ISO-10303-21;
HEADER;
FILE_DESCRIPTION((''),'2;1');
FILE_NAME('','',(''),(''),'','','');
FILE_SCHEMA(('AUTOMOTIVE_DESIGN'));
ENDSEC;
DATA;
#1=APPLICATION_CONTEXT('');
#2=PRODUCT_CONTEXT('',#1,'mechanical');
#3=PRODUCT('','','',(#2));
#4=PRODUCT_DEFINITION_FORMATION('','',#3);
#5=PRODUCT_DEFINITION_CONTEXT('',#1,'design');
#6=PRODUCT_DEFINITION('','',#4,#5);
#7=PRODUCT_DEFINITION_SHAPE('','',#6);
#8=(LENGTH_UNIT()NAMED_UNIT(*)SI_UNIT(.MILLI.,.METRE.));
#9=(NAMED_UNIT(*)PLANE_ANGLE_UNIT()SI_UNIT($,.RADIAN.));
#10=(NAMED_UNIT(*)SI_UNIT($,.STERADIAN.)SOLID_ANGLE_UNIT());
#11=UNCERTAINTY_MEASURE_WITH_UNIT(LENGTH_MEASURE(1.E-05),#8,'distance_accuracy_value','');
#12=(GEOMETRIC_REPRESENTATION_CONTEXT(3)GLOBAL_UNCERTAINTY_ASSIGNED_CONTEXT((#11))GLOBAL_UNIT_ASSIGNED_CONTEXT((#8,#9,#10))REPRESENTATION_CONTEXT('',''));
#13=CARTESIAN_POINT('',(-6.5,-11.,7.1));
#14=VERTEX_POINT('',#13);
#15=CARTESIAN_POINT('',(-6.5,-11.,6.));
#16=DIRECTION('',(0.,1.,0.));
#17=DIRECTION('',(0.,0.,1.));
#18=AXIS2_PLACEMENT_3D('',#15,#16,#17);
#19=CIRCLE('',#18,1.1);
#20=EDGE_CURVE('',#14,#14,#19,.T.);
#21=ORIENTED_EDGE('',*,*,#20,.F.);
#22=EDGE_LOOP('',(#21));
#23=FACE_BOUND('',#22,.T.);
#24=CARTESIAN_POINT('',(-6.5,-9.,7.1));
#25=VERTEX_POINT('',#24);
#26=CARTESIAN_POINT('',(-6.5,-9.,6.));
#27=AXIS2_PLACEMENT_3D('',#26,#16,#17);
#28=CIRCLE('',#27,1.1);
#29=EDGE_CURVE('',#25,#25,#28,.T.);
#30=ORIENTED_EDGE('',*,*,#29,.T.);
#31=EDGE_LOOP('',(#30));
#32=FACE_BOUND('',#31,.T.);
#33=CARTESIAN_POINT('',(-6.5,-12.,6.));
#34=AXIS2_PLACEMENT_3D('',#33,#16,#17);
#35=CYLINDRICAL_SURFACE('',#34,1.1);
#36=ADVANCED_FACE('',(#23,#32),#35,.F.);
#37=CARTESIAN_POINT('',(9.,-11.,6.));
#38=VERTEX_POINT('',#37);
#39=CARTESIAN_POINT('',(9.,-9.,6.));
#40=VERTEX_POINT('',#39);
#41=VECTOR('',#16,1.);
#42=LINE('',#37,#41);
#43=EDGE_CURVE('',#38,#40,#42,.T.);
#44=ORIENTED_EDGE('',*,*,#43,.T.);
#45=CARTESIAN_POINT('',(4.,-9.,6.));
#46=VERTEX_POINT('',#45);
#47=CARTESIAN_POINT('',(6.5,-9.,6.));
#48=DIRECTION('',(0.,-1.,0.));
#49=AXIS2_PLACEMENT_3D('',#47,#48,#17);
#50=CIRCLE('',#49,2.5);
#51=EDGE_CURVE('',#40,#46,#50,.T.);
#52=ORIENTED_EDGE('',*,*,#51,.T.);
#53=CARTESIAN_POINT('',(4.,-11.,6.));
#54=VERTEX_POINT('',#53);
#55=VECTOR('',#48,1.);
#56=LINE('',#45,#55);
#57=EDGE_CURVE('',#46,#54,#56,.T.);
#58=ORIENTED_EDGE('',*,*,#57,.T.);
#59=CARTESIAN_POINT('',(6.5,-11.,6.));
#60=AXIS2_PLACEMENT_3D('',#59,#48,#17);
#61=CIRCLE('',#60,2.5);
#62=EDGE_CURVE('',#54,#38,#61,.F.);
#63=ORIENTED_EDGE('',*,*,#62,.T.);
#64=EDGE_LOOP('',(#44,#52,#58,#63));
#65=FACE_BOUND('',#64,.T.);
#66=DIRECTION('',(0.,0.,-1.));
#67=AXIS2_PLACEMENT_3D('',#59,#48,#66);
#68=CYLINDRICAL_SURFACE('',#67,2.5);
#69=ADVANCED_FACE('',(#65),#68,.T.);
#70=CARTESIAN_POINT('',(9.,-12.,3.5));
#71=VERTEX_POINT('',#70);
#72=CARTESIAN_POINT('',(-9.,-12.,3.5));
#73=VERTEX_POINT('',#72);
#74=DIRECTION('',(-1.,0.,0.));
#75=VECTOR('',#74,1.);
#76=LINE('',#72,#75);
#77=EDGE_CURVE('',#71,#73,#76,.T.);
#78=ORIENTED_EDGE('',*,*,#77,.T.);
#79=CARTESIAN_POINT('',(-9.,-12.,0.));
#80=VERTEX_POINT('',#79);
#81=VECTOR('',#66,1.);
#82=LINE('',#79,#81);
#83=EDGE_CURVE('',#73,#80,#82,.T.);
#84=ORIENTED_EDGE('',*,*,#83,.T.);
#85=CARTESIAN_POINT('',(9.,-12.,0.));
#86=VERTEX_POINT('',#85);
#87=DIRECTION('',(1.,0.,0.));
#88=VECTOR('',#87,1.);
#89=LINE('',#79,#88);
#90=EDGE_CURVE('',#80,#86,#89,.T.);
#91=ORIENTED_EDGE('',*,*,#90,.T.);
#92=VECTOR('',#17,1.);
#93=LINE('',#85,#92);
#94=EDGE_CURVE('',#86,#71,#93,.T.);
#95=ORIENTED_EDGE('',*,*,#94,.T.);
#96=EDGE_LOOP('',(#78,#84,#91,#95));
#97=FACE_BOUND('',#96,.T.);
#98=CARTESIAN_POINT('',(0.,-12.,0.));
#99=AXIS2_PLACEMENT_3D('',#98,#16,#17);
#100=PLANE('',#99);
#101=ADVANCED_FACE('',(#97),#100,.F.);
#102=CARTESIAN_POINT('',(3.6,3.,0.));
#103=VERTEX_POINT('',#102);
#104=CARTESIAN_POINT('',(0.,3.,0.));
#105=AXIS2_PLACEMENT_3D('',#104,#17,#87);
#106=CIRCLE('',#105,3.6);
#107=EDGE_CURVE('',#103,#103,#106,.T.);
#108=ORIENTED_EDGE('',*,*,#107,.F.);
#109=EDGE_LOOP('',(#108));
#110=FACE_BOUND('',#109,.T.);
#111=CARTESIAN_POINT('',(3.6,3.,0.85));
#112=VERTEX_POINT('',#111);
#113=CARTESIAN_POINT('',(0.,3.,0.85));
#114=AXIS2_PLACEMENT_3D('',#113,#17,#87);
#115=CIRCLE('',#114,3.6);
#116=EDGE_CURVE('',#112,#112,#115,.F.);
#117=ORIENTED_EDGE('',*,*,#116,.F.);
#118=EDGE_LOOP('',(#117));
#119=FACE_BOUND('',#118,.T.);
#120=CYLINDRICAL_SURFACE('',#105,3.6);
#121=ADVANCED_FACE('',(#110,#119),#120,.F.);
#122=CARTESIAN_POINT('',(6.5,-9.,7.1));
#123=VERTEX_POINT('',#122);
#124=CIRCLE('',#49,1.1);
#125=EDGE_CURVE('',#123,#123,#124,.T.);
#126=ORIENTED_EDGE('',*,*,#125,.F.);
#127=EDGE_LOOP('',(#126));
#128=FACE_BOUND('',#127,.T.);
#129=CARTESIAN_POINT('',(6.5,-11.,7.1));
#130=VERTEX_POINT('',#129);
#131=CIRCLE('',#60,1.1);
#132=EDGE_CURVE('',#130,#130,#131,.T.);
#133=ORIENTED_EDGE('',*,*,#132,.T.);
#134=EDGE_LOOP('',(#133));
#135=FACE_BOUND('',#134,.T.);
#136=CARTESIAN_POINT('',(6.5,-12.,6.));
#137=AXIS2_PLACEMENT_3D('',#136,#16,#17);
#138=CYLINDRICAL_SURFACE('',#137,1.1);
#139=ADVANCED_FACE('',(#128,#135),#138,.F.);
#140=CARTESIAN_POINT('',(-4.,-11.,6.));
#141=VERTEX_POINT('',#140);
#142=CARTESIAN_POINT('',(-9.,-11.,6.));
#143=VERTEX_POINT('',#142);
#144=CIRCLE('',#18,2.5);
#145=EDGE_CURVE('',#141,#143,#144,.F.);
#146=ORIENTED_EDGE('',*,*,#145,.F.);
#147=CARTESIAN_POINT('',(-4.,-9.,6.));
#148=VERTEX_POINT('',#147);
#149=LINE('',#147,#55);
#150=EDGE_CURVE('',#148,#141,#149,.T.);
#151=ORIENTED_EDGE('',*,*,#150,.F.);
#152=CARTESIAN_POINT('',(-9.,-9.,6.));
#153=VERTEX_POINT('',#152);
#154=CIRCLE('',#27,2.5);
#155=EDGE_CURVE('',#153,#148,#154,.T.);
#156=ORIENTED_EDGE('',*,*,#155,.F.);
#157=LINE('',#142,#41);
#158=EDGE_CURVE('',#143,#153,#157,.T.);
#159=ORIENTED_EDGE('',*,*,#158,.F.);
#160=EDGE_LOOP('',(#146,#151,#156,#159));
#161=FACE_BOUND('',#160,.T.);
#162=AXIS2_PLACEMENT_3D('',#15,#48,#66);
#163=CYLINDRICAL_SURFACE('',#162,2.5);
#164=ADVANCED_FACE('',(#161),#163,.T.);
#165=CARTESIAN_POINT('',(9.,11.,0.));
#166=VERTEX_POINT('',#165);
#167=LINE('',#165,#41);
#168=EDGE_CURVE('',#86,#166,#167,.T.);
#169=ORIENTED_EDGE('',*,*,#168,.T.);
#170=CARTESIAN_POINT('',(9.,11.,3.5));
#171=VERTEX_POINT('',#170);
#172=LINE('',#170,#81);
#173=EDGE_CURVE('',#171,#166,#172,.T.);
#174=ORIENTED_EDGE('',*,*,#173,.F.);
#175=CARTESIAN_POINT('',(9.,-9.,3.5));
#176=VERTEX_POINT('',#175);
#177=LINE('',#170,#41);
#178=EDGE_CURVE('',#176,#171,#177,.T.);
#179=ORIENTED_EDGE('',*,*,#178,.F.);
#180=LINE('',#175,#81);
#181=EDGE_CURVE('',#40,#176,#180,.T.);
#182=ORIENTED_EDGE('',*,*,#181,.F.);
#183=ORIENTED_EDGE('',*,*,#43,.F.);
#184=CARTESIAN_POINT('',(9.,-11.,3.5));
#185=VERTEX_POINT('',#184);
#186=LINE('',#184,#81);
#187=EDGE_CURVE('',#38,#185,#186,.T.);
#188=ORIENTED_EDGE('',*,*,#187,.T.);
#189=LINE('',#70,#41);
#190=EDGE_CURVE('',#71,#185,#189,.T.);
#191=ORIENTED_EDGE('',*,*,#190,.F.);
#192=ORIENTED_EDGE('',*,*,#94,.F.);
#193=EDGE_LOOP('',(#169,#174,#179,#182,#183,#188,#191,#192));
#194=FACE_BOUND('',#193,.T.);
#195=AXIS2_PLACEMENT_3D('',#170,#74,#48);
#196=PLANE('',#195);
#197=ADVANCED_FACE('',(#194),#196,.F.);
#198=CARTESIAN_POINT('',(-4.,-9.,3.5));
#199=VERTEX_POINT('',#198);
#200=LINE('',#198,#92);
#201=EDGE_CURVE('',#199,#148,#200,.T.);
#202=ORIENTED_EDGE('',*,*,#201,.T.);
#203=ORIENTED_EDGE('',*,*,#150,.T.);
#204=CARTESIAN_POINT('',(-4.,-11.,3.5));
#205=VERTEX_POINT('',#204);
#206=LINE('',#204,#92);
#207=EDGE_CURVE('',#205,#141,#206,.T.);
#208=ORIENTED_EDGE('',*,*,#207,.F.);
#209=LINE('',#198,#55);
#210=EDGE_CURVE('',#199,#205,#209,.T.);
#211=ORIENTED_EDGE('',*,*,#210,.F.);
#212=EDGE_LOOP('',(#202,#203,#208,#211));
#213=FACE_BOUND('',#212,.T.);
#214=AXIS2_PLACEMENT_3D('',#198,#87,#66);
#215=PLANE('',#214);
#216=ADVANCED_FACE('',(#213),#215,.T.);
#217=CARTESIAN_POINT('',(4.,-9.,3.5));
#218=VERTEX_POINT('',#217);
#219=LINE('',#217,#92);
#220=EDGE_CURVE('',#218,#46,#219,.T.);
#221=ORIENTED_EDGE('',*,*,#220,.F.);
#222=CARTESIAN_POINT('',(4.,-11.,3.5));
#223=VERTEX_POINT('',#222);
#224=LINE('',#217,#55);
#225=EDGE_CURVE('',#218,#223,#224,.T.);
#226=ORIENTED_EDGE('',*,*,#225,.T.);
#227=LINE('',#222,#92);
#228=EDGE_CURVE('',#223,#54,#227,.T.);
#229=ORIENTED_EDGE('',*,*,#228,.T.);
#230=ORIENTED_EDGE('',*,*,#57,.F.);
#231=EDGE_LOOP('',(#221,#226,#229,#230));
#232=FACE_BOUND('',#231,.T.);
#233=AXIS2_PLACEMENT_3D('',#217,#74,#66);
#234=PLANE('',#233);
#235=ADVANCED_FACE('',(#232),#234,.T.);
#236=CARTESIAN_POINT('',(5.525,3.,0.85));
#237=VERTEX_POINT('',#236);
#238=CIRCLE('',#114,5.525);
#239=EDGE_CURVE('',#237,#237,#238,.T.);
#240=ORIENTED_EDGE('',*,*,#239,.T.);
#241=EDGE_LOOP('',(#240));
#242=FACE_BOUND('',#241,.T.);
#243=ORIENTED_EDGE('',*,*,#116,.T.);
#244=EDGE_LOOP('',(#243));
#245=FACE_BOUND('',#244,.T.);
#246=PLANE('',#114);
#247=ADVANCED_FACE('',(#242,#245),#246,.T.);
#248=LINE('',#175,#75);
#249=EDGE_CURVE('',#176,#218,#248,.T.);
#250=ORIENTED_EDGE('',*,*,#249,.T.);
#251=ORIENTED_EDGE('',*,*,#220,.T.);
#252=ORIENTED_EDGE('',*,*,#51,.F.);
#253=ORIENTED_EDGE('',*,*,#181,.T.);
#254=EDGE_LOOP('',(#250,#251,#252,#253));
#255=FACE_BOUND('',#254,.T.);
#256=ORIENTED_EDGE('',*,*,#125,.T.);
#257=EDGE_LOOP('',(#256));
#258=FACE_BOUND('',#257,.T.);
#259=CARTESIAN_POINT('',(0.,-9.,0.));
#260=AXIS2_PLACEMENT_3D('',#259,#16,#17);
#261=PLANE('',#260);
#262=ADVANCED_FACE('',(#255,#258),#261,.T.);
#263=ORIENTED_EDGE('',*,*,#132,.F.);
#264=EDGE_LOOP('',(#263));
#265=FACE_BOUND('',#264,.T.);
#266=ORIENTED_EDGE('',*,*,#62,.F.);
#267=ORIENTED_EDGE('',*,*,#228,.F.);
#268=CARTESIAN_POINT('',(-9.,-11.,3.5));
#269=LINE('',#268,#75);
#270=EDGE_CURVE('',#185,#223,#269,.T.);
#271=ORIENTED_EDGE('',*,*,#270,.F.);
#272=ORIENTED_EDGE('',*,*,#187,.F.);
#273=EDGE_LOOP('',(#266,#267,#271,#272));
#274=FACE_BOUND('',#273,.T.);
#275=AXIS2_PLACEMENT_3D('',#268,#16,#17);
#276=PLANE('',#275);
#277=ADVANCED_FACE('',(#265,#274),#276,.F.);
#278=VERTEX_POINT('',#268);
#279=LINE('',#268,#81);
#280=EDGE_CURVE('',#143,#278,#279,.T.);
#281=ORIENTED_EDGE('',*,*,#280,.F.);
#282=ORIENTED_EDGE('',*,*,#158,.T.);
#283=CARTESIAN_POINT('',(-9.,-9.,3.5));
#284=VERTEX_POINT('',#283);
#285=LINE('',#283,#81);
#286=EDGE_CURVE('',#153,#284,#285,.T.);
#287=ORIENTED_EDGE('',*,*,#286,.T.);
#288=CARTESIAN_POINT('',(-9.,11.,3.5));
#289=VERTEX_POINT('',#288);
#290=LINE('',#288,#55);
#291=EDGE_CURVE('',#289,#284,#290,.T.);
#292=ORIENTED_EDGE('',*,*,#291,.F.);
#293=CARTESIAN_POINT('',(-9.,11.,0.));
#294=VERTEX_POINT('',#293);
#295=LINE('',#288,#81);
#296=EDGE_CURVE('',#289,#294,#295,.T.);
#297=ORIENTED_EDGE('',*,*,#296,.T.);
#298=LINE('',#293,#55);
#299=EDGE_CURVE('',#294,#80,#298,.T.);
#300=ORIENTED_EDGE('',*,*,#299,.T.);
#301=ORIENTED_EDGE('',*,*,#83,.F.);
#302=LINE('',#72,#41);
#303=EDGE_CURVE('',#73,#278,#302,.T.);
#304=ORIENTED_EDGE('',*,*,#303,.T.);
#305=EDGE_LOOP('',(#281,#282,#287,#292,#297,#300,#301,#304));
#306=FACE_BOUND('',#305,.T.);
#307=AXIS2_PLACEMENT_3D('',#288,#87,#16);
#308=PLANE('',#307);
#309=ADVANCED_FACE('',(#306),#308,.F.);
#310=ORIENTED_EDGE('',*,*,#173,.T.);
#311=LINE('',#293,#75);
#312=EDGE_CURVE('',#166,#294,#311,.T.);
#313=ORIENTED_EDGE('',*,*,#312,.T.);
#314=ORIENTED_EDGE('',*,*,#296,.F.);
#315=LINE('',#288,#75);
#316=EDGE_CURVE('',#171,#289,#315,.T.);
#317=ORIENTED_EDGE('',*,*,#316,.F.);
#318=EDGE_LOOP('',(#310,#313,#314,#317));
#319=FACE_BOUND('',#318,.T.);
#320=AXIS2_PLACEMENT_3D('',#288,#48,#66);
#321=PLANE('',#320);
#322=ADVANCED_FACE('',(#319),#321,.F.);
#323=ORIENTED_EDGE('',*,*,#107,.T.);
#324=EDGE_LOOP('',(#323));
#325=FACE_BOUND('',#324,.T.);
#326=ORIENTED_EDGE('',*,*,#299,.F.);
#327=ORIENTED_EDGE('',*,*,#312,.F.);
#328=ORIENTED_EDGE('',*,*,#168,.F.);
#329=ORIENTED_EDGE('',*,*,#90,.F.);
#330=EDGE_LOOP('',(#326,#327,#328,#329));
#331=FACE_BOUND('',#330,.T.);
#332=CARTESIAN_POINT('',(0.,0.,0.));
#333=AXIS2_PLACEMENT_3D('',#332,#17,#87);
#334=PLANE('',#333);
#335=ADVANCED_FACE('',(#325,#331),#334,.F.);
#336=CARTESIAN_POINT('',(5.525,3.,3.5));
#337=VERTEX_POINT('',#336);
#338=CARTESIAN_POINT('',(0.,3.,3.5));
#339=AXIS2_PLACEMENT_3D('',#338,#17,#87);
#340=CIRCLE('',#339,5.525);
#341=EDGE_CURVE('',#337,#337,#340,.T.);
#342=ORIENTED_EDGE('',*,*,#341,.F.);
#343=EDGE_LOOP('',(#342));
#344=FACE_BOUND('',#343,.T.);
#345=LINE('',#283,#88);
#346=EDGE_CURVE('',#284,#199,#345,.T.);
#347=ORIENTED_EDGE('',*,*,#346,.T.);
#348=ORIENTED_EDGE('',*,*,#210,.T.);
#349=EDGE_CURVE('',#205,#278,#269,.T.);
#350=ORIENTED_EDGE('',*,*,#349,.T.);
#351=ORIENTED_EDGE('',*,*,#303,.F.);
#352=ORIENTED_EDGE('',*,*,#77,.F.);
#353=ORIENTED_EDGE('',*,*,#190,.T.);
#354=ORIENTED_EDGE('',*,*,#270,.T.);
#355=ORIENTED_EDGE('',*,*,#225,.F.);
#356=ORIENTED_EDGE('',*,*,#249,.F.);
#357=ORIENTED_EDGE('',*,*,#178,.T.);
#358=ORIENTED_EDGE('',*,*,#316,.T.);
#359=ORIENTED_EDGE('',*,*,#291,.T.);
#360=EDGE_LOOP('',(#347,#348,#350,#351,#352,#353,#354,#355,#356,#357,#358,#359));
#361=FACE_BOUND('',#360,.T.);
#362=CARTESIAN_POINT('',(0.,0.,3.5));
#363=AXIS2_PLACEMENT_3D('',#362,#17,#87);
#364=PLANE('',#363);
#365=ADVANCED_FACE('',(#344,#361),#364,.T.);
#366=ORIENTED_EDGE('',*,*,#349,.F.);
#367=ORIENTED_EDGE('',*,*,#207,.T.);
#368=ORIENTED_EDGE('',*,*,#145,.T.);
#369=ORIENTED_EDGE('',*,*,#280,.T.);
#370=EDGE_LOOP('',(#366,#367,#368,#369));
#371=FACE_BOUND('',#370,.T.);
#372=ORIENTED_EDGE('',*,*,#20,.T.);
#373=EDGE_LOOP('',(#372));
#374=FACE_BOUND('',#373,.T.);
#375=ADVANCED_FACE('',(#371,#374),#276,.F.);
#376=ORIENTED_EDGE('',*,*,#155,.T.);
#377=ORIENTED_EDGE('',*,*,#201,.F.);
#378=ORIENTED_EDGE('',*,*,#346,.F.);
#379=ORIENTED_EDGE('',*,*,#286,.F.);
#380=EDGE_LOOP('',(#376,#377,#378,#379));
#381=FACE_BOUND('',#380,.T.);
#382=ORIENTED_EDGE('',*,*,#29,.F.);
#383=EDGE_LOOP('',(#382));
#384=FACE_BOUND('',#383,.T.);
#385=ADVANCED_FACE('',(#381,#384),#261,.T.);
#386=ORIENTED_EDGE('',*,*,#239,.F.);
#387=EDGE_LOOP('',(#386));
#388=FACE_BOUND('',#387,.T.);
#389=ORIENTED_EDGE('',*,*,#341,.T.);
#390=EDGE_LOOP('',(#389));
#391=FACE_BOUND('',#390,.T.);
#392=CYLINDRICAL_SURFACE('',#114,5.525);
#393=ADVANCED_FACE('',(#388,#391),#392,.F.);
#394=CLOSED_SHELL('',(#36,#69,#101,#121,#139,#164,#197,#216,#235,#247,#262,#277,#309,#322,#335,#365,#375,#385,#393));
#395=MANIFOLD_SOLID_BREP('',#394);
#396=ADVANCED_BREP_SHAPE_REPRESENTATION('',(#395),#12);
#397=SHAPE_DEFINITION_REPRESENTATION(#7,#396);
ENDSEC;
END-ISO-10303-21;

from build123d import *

# Parameters (mm, degrees)
SKETCH_1_W          = 18
SKETCH_1_H          = 22
EXTRUDE_1_DEPTH     = 3.5
SKETCH_2_R          = 3.6
CUT_EXTRUDE_1_DEPTH = 3.5
SKETCH_3_R          = 5.525
CUT_EXTRUDE_2_DEPTH = 2.65
SKETCH_4_W          = 5
SKETCH_4_H          = 5
EXTRUDE_2_DEPTH     = 2
FILLET_1_RADIUS     = 2.5
FILLET_1_LENGTH     = 2
SKETCH_5_R          = 1.1
CUT_EXTRUDE_3_DEPTH = 3
SKETCH_6_W          = 18
SKETCH_6_H          = 3.5
EXTRUDE_3_DEPTH     = 1


with BuildPart() as part:
    # 草图1 → 凸台-拉伸1 (new body)
    with BuildSketch(Plane.XY):
        Rectangle(SKETCH_1_W, SKETCH_1_H)
    extrude(amount=EXTRUDE_1_DEPTH)

    # 草图2 → 切除-拉伸1 (cut)
    with BuildSketch(Plane.XY.offset(3.5)):
        with Locations((0, 3)):
            Circle(SKETCH_2_R)
    extrude(amount=-CUT_EXTRUDE_1_DEPTH, mode=Mode.SUBTRACT)

    # 草图3 → 切除-拉伸2 (cut)
    with BuildSketch(Plane.XY.offset(3.5)):
        with Locations((0, 3)):
            Circle(SKETCH_3_R)
    extrude(amount=-CUT_EXTRUDE_2_DEPTH, mode=Mode.SUBTRACT)

    # 草图4 → 凸台-拉伸2 (add)
    with BuildSketch(Plane.XZ.offset(11)):
        with Locations((-6.5, 6)):
            Rectangle(SKETCH_4_W, SKETCH_4_H)
    extrude(amount=-EXTRUDE_2_DEPTH)

    # 圆角1: full round fillet: the end face becomes a half cylinder, R = half its width
    fillet_1_face = Plane((-6.5, -10, 8.5), x_dir=(0, -1, 0), z_dir=(0, 0, 1))  # on the end face: x along it, z out of the body
    fillet_1_slab = fillet_1_face.offset(-FILLET_1_RADIUS / 2) * Box(FILLET_1_LENGTH, 2 * FILLET_1_RADIUS, FILLET_1_RADIUS, mode=Mode.PRIVATE)  # the body's end, R deep
    fillet_1_round = Plane((-6.5, -10, 6), x_dir=(0, 0, 1), z_dir=(0, -1, 0)) * Cylinder(FILLET_1_RADIUS, FILLET_1_LENGTH, mode=Mode.PRIVATE)  # its axis R under the face
    add(fillet_1_slab - fillet_1_round, mode=Mode.SUBTRACT)

    # 草图5 → 切除-拉伸3 (cut)
    with BuildSketch(Plane(origin=(0, -9, 0), x_dir=(1, 0, 0), z_dir=(0, 1, 0))):
        with Locations(Location((-6.5, -6, 0), (0, 0, 270))):
            Circle(SKETCH_5_R)
    extrude(amount=-CUT_EXTRUDE_3_DEPTH, mode=Mode.SUBTRACT)

    # 镜向6: part across plane


with BuildPart() as part_1:
    add(part.part)
    add(part.part.mirror(Plane.ZY))

    # 草图6 → 凸台-拉伸3 (add)
    with BuildSketch(Plane.XZ.offset(11)):
        with Locations((0, 1.75)):
            Rectangle(SKETCH_6_W, SKETCH_6_H)
    extrude(amount=EXTRUDE_3_DEPTH)


solid = part_1.part
